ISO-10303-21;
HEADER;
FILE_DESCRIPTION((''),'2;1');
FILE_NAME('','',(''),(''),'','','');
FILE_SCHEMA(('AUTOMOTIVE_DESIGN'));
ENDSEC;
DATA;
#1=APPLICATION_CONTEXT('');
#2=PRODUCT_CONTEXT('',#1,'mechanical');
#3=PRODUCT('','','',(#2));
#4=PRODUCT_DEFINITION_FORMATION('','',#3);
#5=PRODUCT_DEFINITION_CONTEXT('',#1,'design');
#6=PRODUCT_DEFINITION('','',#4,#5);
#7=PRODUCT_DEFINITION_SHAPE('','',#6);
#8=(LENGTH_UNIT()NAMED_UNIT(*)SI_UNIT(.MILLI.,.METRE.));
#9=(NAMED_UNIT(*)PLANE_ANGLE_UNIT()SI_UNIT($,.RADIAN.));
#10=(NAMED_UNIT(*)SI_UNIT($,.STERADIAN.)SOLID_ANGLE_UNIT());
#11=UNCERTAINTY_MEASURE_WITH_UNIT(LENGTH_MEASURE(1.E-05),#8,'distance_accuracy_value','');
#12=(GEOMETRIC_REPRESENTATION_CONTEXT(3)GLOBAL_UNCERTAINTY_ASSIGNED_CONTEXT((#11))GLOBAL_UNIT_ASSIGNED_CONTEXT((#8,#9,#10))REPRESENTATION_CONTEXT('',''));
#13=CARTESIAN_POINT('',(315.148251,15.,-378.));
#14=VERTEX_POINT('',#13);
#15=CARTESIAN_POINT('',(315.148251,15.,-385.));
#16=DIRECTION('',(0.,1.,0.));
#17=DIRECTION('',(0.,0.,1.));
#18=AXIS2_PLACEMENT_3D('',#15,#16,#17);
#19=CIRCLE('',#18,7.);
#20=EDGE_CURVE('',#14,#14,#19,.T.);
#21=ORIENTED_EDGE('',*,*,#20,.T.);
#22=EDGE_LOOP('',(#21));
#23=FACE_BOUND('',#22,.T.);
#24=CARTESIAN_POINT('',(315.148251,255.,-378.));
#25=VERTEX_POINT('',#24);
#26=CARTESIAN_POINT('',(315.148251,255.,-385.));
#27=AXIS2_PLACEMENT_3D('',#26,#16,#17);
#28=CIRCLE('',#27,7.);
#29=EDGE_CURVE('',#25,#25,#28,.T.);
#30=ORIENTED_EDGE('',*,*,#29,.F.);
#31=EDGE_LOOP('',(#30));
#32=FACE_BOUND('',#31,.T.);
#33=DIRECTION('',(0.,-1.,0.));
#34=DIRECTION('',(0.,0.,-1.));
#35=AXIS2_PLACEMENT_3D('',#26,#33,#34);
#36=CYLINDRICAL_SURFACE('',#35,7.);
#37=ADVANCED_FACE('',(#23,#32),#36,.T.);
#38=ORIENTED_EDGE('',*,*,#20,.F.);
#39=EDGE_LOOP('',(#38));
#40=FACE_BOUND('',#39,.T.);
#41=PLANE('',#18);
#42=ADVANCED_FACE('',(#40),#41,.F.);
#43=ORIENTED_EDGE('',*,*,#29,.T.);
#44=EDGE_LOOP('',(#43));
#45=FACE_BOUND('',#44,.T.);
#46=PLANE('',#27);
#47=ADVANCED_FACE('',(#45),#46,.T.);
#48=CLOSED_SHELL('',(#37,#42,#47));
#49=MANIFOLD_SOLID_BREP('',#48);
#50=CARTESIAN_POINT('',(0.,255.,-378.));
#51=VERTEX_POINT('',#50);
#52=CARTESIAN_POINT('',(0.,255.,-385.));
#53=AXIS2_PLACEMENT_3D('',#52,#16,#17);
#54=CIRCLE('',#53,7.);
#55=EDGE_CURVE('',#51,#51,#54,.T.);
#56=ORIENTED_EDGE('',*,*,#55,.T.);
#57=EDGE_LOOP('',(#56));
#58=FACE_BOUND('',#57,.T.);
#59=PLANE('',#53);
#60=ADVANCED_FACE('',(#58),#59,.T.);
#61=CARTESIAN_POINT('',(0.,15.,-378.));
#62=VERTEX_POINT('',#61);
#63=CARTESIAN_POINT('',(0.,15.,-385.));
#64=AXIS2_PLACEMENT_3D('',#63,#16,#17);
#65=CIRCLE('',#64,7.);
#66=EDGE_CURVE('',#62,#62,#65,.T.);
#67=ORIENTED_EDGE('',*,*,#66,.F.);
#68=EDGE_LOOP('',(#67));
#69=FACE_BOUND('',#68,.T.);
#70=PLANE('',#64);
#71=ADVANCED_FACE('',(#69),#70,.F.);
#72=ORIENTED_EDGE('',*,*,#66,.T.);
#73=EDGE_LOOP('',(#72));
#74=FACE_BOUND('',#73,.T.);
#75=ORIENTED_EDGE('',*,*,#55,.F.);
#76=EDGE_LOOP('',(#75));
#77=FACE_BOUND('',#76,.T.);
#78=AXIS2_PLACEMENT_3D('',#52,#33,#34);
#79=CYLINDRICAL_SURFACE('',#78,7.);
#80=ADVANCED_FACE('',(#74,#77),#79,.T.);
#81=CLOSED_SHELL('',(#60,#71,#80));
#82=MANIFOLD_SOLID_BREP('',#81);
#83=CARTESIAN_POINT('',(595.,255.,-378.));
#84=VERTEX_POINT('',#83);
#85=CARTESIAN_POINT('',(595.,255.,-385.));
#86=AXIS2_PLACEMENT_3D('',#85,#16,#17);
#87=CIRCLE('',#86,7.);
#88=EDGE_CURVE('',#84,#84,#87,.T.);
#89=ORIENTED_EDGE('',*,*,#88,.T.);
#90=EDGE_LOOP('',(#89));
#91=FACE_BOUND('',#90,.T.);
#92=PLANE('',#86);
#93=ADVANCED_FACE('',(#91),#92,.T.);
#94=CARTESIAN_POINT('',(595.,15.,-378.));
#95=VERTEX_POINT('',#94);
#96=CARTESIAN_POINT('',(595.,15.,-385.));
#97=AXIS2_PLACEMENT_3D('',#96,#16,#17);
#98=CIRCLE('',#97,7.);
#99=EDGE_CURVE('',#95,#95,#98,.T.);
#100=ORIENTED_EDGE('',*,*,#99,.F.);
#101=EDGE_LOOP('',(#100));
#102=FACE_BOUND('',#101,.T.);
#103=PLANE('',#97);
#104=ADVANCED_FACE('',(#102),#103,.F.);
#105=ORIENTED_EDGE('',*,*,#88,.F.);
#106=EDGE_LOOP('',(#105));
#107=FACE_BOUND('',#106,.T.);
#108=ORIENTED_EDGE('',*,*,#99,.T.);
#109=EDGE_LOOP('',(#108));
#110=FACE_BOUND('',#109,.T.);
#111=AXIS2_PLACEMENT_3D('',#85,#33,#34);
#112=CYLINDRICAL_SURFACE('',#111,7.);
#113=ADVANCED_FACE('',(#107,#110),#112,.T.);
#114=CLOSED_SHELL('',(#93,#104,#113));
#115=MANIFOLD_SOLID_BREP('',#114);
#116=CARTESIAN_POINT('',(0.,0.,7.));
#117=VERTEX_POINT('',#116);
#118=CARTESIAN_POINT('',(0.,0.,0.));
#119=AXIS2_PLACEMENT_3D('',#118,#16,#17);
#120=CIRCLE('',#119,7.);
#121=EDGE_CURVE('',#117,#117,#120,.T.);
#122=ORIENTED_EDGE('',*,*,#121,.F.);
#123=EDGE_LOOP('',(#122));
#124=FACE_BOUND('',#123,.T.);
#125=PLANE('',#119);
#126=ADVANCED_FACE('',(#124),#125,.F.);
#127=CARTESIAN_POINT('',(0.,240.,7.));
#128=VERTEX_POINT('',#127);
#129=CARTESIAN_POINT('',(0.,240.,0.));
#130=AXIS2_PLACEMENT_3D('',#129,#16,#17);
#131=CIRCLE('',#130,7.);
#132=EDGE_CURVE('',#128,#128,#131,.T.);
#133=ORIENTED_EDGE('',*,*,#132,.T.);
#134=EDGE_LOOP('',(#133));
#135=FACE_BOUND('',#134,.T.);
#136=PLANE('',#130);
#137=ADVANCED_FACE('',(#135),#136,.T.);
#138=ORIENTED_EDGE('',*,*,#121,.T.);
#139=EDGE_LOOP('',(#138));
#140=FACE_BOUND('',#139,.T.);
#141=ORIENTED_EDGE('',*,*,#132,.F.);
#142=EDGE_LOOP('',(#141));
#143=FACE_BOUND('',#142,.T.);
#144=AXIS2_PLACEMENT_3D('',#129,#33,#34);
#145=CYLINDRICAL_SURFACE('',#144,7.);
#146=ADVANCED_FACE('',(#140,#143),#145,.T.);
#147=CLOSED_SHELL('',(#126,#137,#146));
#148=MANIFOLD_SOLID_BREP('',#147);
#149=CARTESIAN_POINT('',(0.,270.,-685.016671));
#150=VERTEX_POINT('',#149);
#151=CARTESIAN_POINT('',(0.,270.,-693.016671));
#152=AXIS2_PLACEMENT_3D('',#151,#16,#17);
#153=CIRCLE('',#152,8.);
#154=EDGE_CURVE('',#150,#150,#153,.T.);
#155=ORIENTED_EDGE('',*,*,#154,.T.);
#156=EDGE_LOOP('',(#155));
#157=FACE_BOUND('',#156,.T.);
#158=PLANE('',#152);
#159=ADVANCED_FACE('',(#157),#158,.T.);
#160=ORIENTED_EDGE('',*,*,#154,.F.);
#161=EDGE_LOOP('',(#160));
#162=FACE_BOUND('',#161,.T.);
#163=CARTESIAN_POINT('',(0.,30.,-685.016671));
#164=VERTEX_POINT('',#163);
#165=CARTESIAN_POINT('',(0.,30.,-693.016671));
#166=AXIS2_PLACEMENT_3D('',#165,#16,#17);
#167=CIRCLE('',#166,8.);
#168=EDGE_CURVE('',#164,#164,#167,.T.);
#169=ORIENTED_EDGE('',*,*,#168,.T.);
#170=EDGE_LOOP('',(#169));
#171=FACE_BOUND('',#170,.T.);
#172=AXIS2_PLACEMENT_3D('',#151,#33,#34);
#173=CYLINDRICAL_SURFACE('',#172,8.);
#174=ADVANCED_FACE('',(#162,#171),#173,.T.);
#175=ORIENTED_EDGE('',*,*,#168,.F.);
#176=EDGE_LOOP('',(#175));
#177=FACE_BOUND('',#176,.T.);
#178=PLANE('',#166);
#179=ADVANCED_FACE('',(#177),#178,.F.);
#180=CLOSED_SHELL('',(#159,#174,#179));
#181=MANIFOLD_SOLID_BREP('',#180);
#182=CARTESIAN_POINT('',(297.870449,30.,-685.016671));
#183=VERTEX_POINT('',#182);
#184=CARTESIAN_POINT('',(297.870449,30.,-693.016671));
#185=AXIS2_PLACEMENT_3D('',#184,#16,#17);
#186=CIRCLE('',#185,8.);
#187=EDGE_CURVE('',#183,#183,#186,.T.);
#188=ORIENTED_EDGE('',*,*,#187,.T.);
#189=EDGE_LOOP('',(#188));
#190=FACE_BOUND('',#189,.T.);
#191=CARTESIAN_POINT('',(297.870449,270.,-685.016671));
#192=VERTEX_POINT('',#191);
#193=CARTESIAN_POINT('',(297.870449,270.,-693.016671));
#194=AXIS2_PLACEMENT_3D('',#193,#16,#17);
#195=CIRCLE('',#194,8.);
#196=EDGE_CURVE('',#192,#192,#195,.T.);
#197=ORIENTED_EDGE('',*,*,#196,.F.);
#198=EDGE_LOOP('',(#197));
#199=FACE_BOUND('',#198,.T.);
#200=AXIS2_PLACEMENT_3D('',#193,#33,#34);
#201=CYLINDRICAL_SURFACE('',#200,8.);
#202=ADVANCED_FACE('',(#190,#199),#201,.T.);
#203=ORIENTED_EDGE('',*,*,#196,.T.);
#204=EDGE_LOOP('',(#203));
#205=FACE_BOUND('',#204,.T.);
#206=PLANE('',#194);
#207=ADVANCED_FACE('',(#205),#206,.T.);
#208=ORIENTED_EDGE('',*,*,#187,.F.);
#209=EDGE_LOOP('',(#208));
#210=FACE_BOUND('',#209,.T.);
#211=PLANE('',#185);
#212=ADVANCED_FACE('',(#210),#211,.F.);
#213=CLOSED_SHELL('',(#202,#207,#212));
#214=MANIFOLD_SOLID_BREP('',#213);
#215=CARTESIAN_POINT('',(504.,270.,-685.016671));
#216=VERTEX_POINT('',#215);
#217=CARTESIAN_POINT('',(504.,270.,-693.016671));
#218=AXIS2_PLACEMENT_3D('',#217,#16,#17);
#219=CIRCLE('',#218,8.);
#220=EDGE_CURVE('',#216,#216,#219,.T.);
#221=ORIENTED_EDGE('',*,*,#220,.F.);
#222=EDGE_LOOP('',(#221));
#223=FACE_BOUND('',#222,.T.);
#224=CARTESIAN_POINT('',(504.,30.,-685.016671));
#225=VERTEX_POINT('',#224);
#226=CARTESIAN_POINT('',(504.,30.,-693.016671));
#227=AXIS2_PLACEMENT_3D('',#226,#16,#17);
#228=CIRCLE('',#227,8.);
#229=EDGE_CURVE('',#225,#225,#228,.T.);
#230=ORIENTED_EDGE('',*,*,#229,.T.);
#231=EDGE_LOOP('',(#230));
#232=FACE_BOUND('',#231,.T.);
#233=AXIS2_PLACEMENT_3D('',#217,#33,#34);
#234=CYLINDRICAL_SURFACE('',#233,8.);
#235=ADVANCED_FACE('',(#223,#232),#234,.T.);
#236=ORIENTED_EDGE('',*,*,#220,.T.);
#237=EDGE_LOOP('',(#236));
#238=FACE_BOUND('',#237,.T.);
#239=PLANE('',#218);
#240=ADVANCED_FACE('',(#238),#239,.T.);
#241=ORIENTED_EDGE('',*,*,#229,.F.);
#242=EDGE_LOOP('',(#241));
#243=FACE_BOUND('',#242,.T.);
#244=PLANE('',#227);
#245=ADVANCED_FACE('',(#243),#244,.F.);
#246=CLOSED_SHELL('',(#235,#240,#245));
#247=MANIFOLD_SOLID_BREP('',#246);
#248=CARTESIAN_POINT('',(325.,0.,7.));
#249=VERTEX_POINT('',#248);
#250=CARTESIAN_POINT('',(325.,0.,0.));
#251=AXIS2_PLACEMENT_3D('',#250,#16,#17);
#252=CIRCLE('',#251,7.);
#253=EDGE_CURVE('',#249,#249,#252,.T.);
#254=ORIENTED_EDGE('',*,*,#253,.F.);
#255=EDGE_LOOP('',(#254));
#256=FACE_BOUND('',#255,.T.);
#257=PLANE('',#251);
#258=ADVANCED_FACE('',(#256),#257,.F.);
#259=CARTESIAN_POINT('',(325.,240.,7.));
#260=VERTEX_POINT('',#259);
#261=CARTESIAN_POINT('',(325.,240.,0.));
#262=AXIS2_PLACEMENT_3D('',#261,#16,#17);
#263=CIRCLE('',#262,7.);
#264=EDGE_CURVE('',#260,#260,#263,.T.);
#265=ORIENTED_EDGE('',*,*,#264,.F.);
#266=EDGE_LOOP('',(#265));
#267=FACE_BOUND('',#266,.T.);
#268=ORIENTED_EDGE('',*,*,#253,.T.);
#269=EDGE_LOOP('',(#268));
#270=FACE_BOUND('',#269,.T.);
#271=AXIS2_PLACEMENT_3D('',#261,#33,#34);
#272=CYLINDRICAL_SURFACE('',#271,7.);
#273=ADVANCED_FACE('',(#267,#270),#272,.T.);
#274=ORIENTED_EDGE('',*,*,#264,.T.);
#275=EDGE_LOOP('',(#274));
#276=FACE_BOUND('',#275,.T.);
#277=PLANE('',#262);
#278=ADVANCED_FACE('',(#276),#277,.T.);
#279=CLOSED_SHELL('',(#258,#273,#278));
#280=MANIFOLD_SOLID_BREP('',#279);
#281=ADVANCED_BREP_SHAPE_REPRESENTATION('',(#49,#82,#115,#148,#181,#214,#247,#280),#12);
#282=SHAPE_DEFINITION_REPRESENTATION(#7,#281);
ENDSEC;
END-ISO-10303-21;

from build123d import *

# Parameters (mm, degrees)
ESBO_O2_R                  = 8
RESSALTO_EXTRUS_O2_DEPTH   = 240
RESSALTO_EXTRUS_O2_2_DEPTH = 240
RESSALTO_EXTRUS_O2_3_DEPTH = 240
ESBO_O6_R                  = 7
RESSALTO_EXTRUS_O3_DEPTH   = 240
RESSALTO_EXTRUS_O3_2_DEPTH = 240
RESSALTO_EXTRUS_O3_3_DEPTH = 240
ESBO_O7_R                  = 7
RESSALTO_EXTRUS_O4_DEPTH   = 240
RESSALTO_EXTRUS_O4_2_DEPTH = 240


with BuildPart() as part:
    # Esboço2 → Ressalto-extrusão2 (new body)
    with BuildSketch(Plane(origin=(0, 30, 0), x_dir=(1, 0, 0), z_dir=(0, 1, 0))):
        with Locations(Location((0, 693.016670883, 0), (0, 0, 270))):
            Circle(ESBO_O2_R)
    extrude(amount=RESSALTO_EXTRUS_O2_DEPTH)


with BuildPart() as body_2:
    # Esboço2 → Ressalto-extrus_o2 2 (new body)
    with BuildSketch(Plane(origin=(0, 30, 0), x_dir=(1, 0, 0), z_dir=(0, 1, 0))):
        with Locations(Location((297.870449082, 693.016670883, 0), (0, 0, 270))):
            Circle(ESBO_O2_R)
    extrude(amount=RESSALTO_EXTRUS_O2_2_DEPTH)


with BuildPart() as body_3:
    # Esboço2 → Ressalto-extrus_o2 3 (new body)
    with BuildSketch(Plane(origin=(0, 30, 0), x_dir=(1, 0, 0), z_dir=(0, 1, 0))):
        with Locations(Location((504, 693.016670883, 0), (0, 0, 270))):
            Circle(ESBO_O2_R)
    extrude(amount=RESSALTO_EXTRUS_O2_3_DEPTH)


with BuildPart() as body_4:
    # Esboço6 → Ressalto-extrusão3 (new body)
    with BuildSketch(Plane(origin=(0, 15, 0), x_dir=(1, 0, 0), z_dir=(0, 1, 0))):
        with Locations(Location((0, 385, 0), (0, 0, 270))):
            Circle(ESBO_O6_R)
    extrude(amount=RESSALTO_EXTRUS_O3_DEPTH)


with BuildPart() as body_5:
    # Esboço6 → Ressalto-extrus_o3 2 (new body)
    with BuildSketch(Plane(origin=(0, 15, 0), x_dir=(1, 0, 0), z_dir=(0, 1, 0))):
        with Locations(Location((315.148251138, 385, 0), (0, 0, 270))):
            Circle(ESBO_O6_R)
    extrude(amount=RESSALTO_EXTRUS_O3_2_DEPTH)


with BuildPart() as body_6:
    # Esboço6 → Ressalto-extrus_o3 3 (new body)
    with BuildSketch(Plane(origin=(0, 15, 0), x_dir=(1, 0, 0), z_dir=(0, 1, 0))):
        with Locations(Location((595, 385, 0), (0, 0, 270))):
            Circle(ESBO_O6_R)
    extrude(amount=RESSALTO_EXTRUS_O3_3_DEPTH)


with BuildPart() as body_7:
    # Esboço7 → Ressalto-extrusão4 (new body)
    with BuildSketch(Plane(origin=(0, 0, 0), x_dir=(1, 0, 0), z_dir=(0, 1, 0))):
        with Locations(Location((0, 0, 0), (0, 0, 270))):
            Circle(ESBO_O7_R)
    extrude(amount=RESSALTO_EXTRUS_O4_DEPTH)


with BuildPart() as body_8:
    # Esboço7 → Ressalto-extrus_o4 2 (new body)
    with BuildSketch(Plane(origin=(0, 0, 0), x_dir=(1, 0, 0), z_dir=(0, 1, 0))):
        with Locations(Location((325, 0, 0), (0, 0, 270))):
            Circle(ESBO_O7_R)
    extrude(amount=RESSALTO_EXTRUS_O4_2_DEPTH)


solid = Compound([part.part, body_2.part, body_3.part, body_4.part, body_5.part, body_6.part, body_7.part, body_8.part])
